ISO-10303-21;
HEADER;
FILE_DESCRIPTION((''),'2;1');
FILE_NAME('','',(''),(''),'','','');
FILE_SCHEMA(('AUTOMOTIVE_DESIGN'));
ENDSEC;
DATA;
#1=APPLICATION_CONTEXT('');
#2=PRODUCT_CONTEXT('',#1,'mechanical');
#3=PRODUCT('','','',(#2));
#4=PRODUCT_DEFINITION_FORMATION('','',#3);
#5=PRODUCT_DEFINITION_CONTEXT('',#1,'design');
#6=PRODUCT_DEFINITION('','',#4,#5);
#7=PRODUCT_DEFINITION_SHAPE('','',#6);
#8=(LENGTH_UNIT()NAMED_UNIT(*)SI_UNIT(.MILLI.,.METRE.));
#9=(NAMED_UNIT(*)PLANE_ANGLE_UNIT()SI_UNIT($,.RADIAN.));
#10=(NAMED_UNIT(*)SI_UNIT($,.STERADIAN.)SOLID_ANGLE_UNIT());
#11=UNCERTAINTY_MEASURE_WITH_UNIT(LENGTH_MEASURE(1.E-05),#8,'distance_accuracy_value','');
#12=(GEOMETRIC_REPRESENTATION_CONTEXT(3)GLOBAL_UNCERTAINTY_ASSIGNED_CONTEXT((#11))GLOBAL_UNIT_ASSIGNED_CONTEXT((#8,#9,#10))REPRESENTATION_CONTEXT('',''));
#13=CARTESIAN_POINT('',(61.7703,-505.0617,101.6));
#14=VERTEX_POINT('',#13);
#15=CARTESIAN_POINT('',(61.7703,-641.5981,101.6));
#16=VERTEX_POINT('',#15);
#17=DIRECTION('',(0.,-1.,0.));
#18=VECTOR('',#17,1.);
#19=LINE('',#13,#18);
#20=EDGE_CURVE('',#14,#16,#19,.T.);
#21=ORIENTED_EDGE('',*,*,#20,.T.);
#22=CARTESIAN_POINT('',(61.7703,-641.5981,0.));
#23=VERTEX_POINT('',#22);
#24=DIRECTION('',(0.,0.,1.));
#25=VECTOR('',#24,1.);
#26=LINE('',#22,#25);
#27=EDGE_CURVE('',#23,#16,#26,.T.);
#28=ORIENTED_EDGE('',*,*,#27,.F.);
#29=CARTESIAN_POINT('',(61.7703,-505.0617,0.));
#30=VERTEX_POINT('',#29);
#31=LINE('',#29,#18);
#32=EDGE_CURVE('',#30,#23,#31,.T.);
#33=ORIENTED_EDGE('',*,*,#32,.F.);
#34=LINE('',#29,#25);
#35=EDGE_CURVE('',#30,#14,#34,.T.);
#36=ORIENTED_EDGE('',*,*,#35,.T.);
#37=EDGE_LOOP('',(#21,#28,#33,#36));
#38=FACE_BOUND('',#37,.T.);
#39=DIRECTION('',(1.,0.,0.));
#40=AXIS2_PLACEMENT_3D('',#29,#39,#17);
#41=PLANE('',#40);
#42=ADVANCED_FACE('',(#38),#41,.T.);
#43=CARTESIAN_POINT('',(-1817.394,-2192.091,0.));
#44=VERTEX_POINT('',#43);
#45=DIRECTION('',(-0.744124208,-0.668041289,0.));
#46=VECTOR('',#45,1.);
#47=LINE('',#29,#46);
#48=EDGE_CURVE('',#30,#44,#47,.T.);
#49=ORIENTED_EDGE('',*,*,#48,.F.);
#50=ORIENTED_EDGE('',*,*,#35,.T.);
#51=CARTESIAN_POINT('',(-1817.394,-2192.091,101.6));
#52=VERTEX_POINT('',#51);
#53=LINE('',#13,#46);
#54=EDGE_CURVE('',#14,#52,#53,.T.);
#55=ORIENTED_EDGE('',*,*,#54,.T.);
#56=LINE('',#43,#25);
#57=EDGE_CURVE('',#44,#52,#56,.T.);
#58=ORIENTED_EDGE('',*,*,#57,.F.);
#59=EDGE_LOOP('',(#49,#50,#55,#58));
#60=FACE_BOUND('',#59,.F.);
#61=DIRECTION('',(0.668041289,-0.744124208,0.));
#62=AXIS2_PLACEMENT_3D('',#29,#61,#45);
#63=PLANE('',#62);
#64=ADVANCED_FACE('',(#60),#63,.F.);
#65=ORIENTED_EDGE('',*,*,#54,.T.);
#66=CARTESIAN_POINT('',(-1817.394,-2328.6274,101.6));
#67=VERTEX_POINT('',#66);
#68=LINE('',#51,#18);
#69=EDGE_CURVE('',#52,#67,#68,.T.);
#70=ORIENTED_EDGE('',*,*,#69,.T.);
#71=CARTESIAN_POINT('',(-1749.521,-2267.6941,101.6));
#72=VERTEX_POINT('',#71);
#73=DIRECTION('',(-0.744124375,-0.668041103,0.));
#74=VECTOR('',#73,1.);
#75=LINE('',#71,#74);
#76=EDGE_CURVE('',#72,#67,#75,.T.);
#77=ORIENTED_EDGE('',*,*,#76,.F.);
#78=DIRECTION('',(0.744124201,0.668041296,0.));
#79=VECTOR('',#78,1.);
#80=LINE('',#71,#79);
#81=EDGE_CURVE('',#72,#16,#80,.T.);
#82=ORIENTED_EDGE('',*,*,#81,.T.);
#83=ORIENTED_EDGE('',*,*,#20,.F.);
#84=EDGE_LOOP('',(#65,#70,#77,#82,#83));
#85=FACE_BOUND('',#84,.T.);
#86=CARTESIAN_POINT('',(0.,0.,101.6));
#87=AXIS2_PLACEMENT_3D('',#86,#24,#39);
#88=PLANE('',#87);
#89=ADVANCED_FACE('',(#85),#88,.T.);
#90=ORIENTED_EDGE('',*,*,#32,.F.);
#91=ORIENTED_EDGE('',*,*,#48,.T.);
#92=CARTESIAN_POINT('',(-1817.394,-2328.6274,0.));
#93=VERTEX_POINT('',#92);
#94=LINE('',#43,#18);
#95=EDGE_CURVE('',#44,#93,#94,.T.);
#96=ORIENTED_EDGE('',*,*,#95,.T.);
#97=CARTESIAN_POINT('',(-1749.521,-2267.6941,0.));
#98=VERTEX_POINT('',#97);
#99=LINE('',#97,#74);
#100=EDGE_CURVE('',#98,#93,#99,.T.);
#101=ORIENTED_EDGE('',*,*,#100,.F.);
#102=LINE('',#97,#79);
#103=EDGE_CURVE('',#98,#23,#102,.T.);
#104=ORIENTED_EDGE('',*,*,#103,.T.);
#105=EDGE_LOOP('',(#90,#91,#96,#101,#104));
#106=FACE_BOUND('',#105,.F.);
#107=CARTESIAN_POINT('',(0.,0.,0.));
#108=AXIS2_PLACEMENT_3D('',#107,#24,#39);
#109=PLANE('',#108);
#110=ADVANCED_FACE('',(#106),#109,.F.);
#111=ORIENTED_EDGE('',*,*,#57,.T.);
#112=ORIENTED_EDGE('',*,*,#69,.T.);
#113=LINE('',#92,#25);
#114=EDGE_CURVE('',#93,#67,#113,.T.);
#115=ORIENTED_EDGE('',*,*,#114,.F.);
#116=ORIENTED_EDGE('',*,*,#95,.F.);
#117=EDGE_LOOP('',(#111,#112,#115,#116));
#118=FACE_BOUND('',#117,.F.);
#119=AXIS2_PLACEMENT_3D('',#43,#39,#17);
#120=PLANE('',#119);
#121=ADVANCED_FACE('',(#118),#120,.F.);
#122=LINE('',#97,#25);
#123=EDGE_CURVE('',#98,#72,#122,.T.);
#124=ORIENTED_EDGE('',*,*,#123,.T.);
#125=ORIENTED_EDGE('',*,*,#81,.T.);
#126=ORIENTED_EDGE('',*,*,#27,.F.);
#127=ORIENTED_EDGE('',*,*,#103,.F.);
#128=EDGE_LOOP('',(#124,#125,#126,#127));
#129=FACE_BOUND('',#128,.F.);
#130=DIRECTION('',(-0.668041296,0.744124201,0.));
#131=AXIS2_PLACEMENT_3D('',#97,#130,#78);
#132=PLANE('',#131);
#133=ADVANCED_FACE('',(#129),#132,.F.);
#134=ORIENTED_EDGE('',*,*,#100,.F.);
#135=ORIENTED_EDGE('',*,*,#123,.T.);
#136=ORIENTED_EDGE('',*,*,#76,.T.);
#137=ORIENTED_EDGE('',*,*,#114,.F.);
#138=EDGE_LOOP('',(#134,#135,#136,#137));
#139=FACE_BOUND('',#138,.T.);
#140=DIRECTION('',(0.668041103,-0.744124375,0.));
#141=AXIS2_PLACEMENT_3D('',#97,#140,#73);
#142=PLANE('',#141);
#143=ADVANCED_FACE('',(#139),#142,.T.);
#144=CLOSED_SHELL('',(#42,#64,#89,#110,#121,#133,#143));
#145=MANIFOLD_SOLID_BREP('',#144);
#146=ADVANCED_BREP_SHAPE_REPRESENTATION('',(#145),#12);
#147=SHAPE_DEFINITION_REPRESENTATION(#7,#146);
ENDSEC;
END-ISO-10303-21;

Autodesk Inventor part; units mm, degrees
ref_plane "YZ Plane" through (0, 0, 0) normal (1, 0, 0) x (0, 1, 0)
ref_plane "XZ Plane" through (0, 0, 0) normal (0, 1, 0) x (-1, 0, 0)
ref_plane "XY Plane" through (0, 0, 0) normal (0, 0, 1) x (1, 0, 0)
sketch "Sketch1" plane through (0, 0, 0) normal (0, 0, 1) x (1, 0, 0)
  line L0 (-1817.394, -2192.091) -> (-1749.521, -2267.6941) construction
  line L1 (-1749.521, -2267.6941) -> (-1817.394, -2328.6274)
  line L2 (61.7703, -505.0617) -> (-1817.394, -2192.091)
  line L3 (-1749.521, -2267.6941) -> (61.7703, -641.5981)
  line L4 (61.7703, -641.5981) -> (-6.1027, -565.9951) construction
  line L5 (61.7703, -641.5981) -> (129.6433, -580.6647) construction
  line L6 (129.6433, -580.6647) -> (61.7703, -505.0617) construction
  line L7 (-1817.394, -2328.6274) -> (-1885.267, -2253.0244) construction
  line L8 (-1885.267, -2253.0244) -> (-1817.394, -2192.091) construction
  line L9 (61.7703, -505.0617) -> (61.7703, -641.5981)
  line L10 (-1817.394, -2192.091) -> (-1817.394, -2328.6274)
  dimension "d5" = 101.6
  dimension "d6" = 90
  dimension "d7" = 90
extrude "Extrusion1" add sketch "Sketch1" along normal blind 101.6
properties part number "4x4x104.303"
